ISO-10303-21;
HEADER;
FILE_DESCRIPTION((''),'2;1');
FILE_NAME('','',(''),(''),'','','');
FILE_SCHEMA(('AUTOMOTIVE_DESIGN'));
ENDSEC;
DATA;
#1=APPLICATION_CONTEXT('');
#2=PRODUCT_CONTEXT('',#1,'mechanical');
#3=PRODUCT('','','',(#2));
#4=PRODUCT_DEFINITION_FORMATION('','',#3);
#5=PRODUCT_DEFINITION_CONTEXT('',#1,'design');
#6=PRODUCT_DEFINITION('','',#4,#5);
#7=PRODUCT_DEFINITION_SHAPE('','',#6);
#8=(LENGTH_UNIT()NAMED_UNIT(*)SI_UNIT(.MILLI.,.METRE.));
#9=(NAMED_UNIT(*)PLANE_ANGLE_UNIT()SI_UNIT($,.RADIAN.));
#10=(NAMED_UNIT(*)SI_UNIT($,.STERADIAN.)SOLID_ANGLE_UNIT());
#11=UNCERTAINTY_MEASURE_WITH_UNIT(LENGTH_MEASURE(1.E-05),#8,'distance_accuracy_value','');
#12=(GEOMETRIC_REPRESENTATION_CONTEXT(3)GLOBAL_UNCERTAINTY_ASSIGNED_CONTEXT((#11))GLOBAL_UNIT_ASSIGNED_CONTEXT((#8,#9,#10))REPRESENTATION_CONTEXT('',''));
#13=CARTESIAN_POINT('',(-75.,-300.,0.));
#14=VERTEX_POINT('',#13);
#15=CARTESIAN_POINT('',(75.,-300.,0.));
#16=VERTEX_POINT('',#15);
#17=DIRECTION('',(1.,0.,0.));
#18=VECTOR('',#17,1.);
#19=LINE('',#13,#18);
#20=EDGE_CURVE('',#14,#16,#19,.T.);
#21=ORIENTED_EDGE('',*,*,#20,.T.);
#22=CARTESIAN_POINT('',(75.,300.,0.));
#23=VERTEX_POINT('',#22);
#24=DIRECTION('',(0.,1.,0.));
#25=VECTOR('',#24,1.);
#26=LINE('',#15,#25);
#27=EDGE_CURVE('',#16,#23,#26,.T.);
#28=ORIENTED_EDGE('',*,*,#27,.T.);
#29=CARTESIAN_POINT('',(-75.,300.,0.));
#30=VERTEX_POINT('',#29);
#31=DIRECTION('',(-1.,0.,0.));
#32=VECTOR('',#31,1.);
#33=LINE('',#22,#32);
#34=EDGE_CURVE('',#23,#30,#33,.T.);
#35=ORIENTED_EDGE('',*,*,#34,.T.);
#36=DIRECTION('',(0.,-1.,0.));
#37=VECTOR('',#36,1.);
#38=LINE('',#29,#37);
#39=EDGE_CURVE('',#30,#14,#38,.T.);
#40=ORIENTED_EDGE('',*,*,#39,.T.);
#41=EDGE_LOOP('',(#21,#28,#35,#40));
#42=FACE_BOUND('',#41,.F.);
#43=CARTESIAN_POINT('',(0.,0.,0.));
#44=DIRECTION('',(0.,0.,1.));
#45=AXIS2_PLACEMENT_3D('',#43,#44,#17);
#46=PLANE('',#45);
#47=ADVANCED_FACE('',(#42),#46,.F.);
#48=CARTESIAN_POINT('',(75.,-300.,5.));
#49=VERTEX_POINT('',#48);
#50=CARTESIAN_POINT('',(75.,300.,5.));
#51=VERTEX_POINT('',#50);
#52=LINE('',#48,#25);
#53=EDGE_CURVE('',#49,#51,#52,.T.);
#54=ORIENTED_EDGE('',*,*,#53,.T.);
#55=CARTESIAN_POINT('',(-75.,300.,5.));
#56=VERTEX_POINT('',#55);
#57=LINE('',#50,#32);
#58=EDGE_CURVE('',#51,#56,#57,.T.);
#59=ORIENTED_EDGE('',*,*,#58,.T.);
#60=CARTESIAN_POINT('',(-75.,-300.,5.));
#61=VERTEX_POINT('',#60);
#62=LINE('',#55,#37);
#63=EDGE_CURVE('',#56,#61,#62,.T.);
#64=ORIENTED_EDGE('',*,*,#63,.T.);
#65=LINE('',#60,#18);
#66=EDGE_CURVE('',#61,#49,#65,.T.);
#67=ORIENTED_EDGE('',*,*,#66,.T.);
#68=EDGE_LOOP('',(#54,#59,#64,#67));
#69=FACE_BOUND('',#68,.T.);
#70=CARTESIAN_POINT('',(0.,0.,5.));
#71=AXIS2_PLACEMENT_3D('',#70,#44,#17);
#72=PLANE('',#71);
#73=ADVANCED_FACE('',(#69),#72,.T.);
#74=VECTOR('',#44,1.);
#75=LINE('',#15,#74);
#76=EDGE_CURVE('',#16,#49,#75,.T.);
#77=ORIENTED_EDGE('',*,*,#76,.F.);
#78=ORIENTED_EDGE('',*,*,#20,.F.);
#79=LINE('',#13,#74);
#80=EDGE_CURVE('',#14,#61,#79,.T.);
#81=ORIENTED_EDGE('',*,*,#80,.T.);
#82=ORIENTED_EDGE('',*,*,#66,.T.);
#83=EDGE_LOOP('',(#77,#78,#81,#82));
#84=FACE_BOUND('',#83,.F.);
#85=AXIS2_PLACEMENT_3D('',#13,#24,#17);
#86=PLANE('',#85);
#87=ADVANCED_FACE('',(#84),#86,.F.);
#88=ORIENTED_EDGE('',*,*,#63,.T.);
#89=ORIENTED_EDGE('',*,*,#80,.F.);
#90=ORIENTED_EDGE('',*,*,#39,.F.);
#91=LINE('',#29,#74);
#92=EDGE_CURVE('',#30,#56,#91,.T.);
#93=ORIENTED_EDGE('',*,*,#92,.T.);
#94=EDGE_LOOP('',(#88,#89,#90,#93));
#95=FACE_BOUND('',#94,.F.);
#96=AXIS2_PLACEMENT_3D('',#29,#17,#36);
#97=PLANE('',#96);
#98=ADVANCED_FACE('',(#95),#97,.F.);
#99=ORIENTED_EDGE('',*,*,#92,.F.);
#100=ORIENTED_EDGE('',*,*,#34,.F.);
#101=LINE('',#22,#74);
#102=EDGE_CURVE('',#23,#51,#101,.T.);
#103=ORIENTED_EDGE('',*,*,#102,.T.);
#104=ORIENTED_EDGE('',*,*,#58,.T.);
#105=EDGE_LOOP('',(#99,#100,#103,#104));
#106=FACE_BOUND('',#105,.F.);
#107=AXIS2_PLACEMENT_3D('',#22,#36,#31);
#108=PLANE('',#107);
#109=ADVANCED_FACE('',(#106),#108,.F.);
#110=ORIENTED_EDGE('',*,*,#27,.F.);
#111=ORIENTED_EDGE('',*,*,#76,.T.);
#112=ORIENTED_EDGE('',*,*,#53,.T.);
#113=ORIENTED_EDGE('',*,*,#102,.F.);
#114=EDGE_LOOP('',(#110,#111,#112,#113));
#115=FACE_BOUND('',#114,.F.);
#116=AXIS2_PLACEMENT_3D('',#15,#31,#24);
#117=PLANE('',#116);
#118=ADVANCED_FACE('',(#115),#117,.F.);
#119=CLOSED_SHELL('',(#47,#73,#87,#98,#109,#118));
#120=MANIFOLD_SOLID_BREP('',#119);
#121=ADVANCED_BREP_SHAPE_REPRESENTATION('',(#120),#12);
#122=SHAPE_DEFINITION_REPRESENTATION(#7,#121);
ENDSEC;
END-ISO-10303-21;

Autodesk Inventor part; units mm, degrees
ref_plane "YZ Plane" through (0, 0, 0) normal (1, 0, 0) x (0, 1, 0)
ref_plane "XZ Plane" through (0, 0, 0) normal (0, 1, 0) x (-1, 0, 0)
ref_plane "XY Plane" through (0, 0, 0) normal (0, 0, 1) x (1, 0, 0)
sketch "Sketch1" plane through (0, 0, 0) normal (0, 0, 1) x (1, 0, 0)
  line L0 (-75, -300) -> (75, -300)
  line L1 (75, -300) -> (75, 300)
  line L2 (75, 300) -> (-75, 300)
  line L3 (-75, 300) -> (-75, -300)
  line L4 (-75, -300) -> (75, 300) construction
  line L5 (75, -300) -> (-75, 300) construction
  point P0 (0, 0)
  dimension "d0" = 150
  dimension "d1" = 600
extrude "Extrusion1" add sketch "Sketch1" along normal blind 5
properties part number "stand_plate2" material "Plywood, Finish"
